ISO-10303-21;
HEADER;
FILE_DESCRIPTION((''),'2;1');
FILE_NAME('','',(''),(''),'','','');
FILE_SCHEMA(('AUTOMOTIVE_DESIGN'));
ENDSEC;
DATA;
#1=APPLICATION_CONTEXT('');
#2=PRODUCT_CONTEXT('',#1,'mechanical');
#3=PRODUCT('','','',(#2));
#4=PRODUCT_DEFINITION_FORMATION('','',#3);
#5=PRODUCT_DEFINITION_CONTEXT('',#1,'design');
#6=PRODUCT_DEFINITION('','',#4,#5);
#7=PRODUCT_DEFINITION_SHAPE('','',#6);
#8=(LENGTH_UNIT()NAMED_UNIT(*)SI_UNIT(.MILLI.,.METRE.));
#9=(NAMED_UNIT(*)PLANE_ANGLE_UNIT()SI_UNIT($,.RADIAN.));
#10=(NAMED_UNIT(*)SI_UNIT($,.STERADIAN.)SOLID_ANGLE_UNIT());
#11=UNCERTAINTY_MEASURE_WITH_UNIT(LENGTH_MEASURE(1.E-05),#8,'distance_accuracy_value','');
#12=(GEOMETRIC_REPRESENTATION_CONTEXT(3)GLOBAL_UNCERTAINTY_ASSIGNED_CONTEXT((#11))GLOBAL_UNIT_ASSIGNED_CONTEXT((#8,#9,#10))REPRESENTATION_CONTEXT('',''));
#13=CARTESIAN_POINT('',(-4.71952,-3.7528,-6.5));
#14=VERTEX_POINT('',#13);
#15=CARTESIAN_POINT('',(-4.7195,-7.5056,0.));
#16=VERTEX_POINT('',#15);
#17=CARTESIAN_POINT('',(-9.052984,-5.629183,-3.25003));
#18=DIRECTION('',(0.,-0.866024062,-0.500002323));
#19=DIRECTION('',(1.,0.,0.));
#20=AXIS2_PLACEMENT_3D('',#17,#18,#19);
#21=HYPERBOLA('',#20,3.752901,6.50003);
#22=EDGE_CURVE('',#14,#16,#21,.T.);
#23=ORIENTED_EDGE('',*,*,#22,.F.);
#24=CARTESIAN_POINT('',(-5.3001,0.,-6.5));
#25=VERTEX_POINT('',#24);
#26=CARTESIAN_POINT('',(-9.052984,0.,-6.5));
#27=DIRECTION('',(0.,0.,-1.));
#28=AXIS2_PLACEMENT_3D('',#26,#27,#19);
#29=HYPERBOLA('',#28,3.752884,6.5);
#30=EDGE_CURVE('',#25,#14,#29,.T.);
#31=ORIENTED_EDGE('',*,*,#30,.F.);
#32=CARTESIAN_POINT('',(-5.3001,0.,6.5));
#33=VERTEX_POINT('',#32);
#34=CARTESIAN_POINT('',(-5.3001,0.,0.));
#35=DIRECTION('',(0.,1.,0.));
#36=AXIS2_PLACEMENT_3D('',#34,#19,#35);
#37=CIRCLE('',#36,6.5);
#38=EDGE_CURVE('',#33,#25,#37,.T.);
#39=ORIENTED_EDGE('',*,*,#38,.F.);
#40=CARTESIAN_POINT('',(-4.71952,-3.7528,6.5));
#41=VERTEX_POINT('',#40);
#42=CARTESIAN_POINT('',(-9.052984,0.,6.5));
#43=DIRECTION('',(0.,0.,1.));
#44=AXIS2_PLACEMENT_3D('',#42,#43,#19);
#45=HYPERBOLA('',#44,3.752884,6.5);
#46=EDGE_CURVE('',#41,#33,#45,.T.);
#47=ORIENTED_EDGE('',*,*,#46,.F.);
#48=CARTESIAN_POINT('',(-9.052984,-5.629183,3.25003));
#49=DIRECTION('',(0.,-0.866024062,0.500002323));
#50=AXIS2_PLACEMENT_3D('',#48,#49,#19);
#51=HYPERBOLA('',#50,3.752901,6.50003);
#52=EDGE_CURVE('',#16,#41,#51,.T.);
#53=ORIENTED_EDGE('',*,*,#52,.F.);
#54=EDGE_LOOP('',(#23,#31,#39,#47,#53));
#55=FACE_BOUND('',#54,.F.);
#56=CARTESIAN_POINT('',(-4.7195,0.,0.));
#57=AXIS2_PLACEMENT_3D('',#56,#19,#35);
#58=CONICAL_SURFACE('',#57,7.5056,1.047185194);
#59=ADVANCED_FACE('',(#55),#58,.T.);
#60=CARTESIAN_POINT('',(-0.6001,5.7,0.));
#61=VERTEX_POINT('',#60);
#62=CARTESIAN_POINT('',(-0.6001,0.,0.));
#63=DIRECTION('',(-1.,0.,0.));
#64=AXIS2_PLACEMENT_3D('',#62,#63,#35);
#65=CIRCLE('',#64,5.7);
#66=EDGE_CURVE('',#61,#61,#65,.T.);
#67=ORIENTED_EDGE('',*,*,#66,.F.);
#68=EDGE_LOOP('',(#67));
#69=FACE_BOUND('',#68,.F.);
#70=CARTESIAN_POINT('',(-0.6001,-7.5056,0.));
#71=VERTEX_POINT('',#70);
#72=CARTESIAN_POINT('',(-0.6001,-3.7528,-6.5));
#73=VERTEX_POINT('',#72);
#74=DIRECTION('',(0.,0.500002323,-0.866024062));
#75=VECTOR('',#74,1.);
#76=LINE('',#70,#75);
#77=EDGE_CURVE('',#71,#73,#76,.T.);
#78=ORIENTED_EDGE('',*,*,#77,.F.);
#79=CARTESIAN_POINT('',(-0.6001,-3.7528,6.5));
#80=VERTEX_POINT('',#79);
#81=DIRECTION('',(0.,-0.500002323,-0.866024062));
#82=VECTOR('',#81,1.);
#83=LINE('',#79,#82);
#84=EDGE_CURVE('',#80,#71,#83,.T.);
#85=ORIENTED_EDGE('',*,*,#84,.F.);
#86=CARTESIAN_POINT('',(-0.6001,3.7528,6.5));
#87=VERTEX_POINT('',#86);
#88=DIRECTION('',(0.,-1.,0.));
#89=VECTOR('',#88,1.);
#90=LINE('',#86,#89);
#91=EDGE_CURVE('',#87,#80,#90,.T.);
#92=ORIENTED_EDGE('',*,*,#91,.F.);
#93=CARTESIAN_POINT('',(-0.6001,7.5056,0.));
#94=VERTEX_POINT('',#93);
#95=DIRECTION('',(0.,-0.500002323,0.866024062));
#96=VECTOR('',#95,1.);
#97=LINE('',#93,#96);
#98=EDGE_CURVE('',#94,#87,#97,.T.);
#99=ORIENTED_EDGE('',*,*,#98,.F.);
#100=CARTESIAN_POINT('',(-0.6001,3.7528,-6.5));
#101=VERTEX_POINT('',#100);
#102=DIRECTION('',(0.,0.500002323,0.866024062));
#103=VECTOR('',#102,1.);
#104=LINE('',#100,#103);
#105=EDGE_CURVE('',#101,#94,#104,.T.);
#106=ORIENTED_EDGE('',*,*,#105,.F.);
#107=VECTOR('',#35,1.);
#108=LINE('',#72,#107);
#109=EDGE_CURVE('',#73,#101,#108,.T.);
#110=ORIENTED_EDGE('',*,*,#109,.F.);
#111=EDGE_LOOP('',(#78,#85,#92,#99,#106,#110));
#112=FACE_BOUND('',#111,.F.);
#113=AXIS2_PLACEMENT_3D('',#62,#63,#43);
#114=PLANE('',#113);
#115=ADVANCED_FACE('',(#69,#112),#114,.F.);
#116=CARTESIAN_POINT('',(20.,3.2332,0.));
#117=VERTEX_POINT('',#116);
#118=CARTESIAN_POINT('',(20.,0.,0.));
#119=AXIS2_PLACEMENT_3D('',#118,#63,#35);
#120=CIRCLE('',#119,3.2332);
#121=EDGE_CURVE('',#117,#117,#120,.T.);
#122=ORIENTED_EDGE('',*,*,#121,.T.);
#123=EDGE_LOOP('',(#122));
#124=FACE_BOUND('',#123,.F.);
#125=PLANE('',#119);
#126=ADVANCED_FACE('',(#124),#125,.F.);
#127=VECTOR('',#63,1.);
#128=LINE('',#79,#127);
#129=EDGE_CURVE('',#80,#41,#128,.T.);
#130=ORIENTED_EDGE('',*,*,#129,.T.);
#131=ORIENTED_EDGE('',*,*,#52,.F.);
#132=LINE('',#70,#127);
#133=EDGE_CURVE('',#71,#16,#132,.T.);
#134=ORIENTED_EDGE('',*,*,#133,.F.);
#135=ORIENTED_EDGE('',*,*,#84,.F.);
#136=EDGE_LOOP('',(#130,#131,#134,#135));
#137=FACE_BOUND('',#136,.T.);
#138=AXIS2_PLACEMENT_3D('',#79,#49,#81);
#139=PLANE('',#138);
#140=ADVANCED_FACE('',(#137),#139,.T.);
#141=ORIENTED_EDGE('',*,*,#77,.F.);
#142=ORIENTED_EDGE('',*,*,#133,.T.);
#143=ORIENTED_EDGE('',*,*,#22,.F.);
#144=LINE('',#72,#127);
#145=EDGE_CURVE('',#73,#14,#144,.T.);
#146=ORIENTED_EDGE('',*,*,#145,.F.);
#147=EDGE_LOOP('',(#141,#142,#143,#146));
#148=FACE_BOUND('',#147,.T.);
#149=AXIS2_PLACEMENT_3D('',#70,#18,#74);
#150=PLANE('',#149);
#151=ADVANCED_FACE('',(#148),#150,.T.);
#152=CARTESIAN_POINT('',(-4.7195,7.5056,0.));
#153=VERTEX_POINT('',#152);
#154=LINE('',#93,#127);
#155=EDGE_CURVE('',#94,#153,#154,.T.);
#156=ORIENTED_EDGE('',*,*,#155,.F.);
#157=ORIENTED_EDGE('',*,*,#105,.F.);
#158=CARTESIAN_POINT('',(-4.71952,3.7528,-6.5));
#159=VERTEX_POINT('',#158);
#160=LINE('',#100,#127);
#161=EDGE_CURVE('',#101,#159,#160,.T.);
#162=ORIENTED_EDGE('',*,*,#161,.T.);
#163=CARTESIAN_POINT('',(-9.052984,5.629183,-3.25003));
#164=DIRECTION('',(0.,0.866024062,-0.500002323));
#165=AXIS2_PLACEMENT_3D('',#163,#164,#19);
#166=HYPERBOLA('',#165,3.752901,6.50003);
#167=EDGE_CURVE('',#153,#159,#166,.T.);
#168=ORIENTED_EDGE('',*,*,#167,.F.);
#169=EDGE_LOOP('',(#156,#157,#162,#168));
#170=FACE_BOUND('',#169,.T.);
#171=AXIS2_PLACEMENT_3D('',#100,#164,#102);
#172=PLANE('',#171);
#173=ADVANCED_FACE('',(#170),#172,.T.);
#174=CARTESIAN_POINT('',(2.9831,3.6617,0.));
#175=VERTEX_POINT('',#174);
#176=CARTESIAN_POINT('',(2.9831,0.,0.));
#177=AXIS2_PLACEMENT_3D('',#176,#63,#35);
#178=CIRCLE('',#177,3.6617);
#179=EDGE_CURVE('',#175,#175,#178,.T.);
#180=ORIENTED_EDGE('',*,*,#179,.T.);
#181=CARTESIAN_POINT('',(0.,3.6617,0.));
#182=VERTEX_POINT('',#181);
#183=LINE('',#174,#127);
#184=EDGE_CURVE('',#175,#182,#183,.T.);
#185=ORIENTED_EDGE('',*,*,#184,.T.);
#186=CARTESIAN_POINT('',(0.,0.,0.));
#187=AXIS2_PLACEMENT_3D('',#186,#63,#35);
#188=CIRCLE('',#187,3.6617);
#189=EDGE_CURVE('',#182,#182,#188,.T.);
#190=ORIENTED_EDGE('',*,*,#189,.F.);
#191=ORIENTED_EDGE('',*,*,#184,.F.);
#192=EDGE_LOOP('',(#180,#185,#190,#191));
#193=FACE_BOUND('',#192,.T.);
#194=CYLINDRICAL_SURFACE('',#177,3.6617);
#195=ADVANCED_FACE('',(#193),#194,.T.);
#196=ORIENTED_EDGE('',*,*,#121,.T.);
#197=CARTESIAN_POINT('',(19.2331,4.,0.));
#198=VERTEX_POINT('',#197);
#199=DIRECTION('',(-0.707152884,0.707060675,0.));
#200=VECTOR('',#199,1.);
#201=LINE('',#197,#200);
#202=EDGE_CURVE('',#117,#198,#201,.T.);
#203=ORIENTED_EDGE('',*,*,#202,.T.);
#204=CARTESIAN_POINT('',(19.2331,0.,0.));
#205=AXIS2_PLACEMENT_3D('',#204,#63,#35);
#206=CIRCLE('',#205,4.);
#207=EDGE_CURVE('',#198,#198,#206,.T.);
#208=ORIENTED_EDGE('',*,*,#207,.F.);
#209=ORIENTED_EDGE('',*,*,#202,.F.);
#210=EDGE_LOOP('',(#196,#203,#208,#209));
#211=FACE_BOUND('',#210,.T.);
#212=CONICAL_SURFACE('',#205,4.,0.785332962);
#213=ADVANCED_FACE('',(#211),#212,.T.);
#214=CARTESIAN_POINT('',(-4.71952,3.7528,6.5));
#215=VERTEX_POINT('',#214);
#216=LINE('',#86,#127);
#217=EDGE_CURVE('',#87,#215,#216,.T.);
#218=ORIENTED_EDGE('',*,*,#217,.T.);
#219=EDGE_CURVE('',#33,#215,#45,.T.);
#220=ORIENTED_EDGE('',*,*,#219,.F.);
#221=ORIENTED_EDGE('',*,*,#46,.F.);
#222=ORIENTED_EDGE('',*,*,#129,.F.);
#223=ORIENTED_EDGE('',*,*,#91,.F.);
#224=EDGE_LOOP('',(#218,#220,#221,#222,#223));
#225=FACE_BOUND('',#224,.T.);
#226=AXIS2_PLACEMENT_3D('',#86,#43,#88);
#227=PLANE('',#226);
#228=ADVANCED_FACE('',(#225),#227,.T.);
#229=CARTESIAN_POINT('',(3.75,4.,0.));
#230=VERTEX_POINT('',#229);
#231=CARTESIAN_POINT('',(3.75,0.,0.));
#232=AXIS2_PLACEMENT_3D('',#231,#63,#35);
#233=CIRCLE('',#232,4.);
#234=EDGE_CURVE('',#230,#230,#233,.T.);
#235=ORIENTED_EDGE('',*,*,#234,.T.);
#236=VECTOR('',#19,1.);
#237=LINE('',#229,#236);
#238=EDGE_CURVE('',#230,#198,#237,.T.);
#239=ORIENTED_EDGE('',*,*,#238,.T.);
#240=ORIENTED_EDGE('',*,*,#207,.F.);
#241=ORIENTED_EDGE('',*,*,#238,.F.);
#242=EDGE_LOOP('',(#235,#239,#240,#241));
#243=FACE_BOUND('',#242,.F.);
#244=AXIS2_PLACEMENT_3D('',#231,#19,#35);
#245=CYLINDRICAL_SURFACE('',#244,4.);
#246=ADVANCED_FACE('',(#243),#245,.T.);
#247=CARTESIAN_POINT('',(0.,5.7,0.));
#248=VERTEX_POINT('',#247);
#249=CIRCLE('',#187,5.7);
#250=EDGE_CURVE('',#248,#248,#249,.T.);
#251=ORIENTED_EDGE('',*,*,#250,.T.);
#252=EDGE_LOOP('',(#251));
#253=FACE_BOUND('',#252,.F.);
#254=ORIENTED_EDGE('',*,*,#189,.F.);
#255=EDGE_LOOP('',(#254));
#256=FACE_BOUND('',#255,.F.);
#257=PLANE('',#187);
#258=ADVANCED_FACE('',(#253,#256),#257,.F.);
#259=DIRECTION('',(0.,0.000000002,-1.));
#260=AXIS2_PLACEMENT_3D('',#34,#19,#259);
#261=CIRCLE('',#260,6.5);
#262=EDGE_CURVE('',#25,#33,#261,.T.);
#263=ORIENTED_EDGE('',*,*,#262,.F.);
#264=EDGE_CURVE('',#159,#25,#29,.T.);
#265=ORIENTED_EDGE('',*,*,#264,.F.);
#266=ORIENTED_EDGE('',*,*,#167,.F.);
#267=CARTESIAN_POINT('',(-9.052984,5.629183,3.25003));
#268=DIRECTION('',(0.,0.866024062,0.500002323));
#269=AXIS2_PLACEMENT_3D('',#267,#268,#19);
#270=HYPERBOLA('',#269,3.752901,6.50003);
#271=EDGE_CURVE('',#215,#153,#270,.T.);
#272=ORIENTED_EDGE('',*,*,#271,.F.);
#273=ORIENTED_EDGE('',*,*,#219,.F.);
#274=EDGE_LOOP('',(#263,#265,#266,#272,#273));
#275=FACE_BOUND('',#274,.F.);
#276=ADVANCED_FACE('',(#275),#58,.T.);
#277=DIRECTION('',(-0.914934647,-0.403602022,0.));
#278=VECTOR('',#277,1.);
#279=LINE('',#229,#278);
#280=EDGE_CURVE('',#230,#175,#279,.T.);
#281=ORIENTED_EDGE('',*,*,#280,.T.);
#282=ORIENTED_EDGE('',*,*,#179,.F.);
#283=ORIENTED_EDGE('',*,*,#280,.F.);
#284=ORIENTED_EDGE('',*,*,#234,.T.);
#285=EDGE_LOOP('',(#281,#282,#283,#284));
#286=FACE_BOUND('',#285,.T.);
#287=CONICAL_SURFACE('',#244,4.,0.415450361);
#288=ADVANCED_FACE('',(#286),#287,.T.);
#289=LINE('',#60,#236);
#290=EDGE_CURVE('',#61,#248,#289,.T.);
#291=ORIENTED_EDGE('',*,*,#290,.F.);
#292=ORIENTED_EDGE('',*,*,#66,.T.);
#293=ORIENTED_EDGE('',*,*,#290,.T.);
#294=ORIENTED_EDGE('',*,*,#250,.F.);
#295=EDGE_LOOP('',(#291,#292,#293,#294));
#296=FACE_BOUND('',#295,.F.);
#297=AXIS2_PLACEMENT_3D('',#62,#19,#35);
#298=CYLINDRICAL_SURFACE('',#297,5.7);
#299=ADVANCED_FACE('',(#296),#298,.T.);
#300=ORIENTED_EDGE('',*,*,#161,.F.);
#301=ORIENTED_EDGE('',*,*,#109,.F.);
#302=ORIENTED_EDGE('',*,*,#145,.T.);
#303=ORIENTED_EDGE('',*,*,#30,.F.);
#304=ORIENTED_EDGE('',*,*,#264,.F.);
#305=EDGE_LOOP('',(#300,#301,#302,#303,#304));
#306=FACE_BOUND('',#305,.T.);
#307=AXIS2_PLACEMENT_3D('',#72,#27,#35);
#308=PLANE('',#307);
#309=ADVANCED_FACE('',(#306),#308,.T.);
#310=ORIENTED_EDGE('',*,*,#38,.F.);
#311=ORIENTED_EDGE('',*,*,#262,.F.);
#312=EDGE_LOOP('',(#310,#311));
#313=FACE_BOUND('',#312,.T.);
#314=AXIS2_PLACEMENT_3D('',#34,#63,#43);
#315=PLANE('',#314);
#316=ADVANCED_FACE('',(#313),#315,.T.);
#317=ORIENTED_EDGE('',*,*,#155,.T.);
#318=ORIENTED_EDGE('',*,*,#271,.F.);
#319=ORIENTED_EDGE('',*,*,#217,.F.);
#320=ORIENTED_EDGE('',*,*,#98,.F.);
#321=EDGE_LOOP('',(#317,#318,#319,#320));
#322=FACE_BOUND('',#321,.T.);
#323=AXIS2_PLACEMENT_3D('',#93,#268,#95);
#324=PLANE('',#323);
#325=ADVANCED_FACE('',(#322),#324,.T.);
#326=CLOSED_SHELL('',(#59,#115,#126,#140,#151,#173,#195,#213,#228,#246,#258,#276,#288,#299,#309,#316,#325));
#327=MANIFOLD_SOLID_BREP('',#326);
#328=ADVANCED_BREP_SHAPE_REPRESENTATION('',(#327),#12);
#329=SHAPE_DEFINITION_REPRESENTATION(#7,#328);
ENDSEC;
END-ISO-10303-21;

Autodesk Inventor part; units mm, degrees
ref_plane "YZ Plane" through (0, 0, 0) normal (1, 0, 0) x (0, 1, 0)
ref_plane "XZ Plane" through (0, 0, 0) normal (0, 1, 0) x (-1, 0, 0)
sketch "Sketch1" plane through (0, 0, 0) normal (0, 0, 1) x (1, 0, 0)
  line L0 (0, 5.7) -> (0, 3.6617)
  line L1 (3.75, 4) -> (20, 4)
  line L2 (20, 4) -> (20, 0)
  line L3 (20, 0) -> (-0.6001, 0)
  line L4 (-4.7201, 0) -> (24.12, 0) projected
  line L5 (-0.6001, 0) -> (-0.6001, 5.7)
  line L6 (-0.6001, 5.7) -> (0, 5.7)
  line L7 (3.75, 4) -> (2.9831, 3.6617)
  line L8 (2.9831, 3.6617) -> (0, 3.6617)
  line L9 (0, -1.14) -> (0, 6.84) projected
  dimension "d0" = 20
  dimension "d1" = 16.25
  dimension "d2" = 8
  dimension "d9" = 0.6001
  dimension "d10" = 11.4
  dimension "d13" = 0.7669
  dimension "d14" = 7.3234
revolve "Body" add sketch "Sketch1" angle 360 about axis through (20, 0, 0) along (-1, 0, 0)
sketch "Sketch2" plane through (-0.6001, 0, 0) normal (-1, 0, 0) x (0, 0, 1)
  line L0 (0, 7.5056) -> (6.5, 3.7528)
  line L1 (6.5, 3.7528) -> (6.5, -3.7528)
  line L2 (6.5, -3.7528) -> (0, -7.5056)
  line L3 (0, -7.5056) -> (-6.5, -3.7528)
  line L4 (-6.5, -3.7528) -> (-6.5, 3.7528)
  line L5 (-6.5, 3.7528) -> (0, 7.5056)
  point P0 (0, 0)
  point P1 (0, 0)
  dimension "d11" = 13
extrude "Head" add sketch "Sketch2" along normal blind 4.7
sketch "Sketch4" plane through (0, 0, 0) normal (0, 0, 1) x (1, 0, 0)
  line L0 (-5.3001, 6.5) -> (-5.3001, 7.5056)
  line L1 (-5.3001, 7.5056) -> (-4.7195, 7.5056)
  line L2 (-4.7195, 7.5056) -> (-5.3001, 6.5)
  line L3 (-6.2401, 0) -> (0.3399, 0) projected
  line L4 (-0.6001, 7.5056) -> (-5.3001, 7.5056) projected
  line L5 (-5.3001, 3.7528) -> (-5.3001, 7.5056) projected
  dimension "d5" = 30
  dimension "d19" = 13
revolve "Chamfer1" cut sketch "Sketch4" angle 360 about axis through (-10, 0, 0) along (1, 0, 0)
thread "Thread" size "M8x1.25" class "6g" standard "ISO Metric profile" length 16.25
chamfer "Chamfer2" distance 0.7668 distance2 0.7669 1 edges at (20, -4, 0) measured on face at (20, 1.3194, 0.8842)
ref_plane "Work Plane1" through (1.525, 0, 0) normal (0, 0, 1) x (1, 0, 0)
equation "\"d11\" = SW"
equation "\"d3\" = KOH - SD"
equation "\"d15\" = GEL"
equation "\"d6\" = -0.5 * SPD + 0.5 * GD"
equation "\"d0\" = NLG"
equation "\"d1\" = GEL"
equation "\"d2\" = GD"
equation "\"d10\" = SD2"
equation "\"d14\" = BDM"
equation "\"d5\" = ANG1"
equation "\"d19\" = SW0"
equation "\"NLG\" = 20"
equation "\"GD\" = NND"
equation "\"BDM\" = 7.32342"
equation "\"KOH\" = 5.3"
equation "\"GEL\" = 16.25"
equation "\"SW\" = 13"
equation "\"SW0\" = 13"
equation "\"SPD\" = NND - 1.2269 * PTC"
equation "\"SD2\" = 11.4"
equation "\"SD\" = 0.6"
equation "\"ANG1\" = 30deg"
equation "\"GAL\" = 0.61345 * PTC"
equation "\"GUL\" = 0.61345 * PTC"
equation "\"RR\" = 0.4"
equation "\"GD1\" = THREADDIA - 1.2269 * PTC"
equation "\"THREADDIA\" = 8"
equation "\"TOA\" = 30deg"
equation "\"PTC\" = 1.25"
equation "\"NND\" = 8"
equation "\"E0\" = 1.155 * SW"
properties part number "DIN 933 - M8  x 20" material "Steel, Mild"
